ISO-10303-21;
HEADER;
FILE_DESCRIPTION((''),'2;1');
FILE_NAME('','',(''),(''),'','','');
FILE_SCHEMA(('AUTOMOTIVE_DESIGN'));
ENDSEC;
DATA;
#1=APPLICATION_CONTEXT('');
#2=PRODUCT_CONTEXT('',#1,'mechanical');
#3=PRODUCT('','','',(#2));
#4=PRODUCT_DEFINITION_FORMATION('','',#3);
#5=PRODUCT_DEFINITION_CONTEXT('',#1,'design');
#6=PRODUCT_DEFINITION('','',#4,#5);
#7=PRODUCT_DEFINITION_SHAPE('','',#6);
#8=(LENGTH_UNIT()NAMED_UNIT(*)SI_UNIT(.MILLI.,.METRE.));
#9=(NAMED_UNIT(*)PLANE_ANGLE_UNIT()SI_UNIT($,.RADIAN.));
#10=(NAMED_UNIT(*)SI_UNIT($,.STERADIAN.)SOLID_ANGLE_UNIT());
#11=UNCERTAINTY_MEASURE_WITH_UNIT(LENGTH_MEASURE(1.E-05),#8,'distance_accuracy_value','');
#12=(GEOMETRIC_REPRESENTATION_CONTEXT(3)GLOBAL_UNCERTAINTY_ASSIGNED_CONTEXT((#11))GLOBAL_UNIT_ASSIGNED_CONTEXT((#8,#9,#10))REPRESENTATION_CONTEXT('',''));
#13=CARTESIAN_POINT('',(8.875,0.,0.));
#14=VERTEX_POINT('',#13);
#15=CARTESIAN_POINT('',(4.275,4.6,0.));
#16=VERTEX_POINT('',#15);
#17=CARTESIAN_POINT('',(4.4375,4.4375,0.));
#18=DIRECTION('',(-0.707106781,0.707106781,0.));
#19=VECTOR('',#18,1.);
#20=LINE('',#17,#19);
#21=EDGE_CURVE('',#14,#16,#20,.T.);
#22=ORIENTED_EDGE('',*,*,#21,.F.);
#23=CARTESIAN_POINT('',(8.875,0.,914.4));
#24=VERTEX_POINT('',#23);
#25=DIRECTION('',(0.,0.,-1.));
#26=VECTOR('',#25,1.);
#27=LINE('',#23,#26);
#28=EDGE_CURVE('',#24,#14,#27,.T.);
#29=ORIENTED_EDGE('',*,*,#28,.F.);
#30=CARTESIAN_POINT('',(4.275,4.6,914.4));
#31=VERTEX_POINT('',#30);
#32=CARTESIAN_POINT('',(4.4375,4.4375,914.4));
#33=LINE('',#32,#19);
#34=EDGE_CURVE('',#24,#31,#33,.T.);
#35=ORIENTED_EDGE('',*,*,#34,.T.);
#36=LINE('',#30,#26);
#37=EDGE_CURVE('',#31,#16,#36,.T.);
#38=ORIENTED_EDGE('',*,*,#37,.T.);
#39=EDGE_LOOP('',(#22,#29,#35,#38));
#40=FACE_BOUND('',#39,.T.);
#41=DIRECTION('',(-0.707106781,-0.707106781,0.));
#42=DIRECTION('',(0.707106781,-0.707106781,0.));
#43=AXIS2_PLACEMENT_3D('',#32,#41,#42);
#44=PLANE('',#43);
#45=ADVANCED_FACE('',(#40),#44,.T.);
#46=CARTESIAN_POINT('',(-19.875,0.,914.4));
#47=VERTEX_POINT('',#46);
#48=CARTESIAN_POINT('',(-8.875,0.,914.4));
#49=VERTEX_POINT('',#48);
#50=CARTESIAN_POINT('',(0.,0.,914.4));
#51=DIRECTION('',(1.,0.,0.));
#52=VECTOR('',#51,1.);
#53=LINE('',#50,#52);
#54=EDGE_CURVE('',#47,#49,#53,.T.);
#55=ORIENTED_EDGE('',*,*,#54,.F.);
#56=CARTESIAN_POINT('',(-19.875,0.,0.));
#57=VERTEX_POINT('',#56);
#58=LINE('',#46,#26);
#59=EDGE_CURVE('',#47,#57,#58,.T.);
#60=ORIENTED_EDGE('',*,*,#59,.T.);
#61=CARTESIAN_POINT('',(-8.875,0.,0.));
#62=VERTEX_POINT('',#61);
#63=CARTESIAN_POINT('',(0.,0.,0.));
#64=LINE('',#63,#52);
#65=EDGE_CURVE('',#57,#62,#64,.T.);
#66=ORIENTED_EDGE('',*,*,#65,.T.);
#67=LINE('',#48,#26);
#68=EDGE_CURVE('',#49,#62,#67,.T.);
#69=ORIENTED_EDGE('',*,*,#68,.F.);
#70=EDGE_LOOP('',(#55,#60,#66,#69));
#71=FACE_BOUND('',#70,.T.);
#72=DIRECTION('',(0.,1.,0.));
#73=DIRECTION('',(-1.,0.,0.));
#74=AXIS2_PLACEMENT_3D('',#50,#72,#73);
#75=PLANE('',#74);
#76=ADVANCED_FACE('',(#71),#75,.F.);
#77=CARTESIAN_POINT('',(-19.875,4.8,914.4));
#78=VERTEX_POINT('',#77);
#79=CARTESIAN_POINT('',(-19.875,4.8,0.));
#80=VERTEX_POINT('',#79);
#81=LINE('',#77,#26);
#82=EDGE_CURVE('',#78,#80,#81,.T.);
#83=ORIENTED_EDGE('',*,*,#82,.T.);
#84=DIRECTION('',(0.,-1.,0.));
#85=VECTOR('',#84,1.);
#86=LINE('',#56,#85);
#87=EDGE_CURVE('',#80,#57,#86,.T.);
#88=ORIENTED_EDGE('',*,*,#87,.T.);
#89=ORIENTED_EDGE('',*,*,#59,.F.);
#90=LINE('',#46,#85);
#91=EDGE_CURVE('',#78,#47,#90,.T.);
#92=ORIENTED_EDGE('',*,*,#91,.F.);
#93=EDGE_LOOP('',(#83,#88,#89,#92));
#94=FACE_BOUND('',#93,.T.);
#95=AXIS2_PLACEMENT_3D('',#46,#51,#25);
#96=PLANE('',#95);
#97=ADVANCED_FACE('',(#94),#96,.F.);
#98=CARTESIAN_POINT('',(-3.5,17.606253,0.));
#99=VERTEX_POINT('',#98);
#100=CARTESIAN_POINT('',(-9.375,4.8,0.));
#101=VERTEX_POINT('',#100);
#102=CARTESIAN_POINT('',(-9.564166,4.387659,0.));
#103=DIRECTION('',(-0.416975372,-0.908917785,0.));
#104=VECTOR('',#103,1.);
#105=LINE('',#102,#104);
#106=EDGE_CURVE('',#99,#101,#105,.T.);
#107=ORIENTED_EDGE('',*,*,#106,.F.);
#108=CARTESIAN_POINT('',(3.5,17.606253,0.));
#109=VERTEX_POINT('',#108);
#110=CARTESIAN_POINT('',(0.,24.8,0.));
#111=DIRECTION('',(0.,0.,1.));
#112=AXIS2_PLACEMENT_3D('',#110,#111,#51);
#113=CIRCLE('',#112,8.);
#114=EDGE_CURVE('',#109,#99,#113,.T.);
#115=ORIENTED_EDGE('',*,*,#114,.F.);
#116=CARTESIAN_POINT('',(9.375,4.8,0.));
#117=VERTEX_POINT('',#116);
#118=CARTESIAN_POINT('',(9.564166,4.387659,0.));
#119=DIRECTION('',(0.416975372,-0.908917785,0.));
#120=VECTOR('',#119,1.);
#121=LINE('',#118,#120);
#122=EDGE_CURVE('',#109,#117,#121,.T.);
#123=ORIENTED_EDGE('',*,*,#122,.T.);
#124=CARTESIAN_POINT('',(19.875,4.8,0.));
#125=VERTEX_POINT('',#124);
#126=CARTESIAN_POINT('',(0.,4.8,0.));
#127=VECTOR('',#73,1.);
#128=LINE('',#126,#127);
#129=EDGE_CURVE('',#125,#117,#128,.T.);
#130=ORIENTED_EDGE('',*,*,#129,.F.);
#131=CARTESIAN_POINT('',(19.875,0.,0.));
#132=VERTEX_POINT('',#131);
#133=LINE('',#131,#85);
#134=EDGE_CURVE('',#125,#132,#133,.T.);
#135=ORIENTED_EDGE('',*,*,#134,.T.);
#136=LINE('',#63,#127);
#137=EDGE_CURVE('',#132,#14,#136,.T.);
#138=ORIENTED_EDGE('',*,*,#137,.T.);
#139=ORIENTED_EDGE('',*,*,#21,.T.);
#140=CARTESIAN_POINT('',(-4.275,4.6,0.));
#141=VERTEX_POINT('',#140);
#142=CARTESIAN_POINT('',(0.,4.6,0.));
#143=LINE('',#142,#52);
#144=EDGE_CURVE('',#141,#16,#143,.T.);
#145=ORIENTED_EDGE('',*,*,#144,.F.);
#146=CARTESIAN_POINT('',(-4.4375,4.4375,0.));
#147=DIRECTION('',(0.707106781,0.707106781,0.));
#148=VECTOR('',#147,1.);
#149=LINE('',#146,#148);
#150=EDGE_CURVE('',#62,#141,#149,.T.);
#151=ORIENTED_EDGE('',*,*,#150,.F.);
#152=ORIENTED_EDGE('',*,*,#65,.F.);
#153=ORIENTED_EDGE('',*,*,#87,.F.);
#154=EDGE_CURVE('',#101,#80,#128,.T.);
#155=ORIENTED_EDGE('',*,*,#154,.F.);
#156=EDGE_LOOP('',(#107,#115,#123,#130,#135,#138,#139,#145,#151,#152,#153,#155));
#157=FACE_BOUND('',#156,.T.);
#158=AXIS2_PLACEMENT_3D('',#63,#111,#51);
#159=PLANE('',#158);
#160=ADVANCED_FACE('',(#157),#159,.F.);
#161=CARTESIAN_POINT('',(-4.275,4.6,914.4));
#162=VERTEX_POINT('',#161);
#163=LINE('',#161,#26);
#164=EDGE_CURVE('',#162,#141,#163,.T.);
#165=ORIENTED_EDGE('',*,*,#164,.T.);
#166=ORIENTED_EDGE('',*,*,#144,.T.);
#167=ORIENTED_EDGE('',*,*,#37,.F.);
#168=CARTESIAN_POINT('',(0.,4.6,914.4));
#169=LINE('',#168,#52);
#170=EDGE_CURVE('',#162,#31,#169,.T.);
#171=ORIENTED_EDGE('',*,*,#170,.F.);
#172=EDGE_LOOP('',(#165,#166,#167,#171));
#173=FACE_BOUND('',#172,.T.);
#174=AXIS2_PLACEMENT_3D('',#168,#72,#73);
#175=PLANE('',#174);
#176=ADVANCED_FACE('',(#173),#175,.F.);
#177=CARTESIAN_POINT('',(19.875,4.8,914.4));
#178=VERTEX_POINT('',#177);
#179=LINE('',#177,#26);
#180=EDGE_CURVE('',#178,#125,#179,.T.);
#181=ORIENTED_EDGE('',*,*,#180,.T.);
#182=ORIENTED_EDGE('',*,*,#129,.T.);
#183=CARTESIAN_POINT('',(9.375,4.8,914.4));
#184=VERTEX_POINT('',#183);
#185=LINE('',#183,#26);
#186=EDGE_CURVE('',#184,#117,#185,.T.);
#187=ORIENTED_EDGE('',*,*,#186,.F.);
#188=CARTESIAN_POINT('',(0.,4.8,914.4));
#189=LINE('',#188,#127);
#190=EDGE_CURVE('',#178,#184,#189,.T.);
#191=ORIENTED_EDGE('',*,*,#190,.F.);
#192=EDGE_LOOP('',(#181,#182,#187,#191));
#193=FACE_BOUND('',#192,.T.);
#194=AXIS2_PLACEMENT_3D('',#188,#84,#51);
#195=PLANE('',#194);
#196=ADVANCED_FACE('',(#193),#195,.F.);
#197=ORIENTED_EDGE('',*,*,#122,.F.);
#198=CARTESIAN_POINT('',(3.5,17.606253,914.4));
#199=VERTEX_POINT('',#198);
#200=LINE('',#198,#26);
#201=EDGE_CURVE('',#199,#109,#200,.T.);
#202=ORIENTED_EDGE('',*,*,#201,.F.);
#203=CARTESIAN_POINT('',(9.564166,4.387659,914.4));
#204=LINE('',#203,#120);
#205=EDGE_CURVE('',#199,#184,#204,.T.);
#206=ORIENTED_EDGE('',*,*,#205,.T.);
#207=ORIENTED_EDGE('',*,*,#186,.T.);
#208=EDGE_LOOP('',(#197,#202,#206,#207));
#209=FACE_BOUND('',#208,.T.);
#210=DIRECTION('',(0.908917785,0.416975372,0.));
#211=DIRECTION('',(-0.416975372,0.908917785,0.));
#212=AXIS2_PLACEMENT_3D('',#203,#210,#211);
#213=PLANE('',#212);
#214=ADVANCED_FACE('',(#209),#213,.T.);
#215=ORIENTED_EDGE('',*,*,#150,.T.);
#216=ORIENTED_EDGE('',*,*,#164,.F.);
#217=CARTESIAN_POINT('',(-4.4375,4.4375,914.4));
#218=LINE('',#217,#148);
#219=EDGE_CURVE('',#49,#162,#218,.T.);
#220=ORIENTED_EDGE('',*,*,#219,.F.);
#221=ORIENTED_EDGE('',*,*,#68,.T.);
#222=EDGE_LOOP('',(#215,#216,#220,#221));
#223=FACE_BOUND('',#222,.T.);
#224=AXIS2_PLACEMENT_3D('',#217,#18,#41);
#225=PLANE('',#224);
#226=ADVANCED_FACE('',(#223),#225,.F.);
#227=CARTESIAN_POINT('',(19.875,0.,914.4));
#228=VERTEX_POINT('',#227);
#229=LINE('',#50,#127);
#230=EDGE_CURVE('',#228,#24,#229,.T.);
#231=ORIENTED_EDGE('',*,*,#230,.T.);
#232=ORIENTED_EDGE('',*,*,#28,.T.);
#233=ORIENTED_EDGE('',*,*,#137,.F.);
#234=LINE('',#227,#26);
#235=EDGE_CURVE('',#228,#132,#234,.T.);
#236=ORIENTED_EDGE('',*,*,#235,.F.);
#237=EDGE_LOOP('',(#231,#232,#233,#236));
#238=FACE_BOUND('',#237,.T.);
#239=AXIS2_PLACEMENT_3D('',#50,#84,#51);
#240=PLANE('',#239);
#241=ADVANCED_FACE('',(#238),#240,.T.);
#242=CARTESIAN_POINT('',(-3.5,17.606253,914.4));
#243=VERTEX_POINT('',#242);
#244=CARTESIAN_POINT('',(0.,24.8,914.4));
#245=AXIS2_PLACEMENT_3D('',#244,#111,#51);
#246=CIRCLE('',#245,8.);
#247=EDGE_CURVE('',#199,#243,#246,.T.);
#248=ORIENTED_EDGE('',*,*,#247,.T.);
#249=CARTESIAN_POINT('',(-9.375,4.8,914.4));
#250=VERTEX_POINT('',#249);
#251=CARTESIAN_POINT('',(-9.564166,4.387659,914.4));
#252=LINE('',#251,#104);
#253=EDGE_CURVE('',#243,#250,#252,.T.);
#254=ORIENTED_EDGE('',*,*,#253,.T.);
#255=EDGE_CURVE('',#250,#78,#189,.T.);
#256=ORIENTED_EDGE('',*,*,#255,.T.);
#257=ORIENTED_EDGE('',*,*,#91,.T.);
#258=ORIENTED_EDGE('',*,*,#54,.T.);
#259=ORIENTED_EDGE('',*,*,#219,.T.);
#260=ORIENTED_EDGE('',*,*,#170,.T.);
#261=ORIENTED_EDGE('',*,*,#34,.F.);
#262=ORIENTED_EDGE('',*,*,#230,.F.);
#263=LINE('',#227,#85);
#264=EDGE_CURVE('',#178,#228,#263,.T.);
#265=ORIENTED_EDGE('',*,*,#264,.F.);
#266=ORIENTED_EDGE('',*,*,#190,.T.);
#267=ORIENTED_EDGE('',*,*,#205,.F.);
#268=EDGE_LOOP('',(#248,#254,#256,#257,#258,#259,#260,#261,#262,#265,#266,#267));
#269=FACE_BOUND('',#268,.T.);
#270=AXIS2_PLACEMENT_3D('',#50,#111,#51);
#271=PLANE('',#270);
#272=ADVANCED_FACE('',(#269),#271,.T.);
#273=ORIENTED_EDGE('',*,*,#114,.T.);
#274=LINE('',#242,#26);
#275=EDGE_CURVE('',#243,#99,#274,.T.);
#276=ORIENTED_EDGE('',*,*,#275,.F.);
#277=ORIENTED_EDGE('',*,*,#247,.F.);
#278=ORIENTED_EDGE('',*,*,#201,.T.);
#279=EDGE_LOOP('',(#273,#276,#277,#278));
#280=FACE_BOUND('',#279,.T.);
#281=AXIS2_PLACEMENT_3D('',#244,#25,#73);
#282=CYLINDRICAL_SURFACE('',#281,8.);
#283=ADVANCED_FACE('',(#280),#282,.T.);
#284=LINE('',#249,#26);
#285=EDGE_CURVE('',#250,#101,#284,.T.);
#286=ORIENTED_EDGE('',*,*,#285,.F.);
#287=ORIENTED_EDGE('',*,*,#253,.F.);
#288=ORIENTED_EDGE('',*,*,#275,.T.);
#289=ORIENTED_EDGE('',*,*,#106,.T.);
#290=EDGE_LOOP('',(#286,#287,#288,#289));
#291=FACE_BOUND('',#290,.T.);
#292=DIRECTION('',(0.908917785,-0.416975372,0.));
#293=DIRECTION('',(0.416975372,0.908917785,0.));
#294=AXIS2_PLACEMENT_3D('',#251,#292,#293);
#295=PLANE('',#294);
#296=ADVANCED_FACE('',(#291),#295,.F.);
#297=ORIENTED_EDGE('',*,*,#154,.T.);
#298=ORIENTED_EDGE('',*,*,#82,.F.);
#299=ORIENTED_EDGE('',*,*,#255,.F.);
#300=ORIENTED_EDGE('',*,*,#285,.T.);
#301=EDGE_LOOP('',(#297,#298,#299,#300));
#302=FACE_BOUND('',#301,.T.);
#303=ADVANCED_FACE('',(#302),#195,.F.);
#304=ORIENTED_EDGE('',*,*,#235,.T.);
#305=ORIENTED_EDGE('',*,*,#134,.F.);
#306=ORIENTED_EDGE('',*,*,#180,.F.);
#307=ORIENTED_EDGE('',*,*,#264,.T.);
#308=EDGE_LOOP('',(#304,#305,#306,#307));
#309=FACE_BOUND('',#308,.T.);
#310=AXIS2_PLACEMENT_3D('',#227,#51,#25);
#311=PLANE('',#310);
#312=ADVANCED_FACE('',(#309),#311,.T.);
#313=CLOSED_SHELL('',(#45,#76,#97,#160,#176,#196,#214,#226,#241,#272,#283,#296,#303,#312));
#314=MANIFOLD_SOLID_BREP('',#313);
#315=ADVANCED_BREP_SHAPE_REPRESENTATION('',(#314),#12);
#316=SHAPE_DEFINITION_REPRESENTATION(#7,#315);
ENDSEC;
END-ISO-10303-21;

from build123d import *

# Parameters (mm, degrees)
BOSS_EXTRUDE1_DEPTH = 914.4


with BuildPart() as part:
    # Sketch1 → Boss-Extrude1 (new body)
    with BuildSketch(Plane.XY):
        with BuildLine():
            Line((3.5, 17.606252715), (9.375, 4.8))
            Line((9.375, 4.8), (19.875, 4.8))
            Line((19.875, 4.8), (19.875, 0))
            Line((19.875, 0), (8.875, 0))
            Line((8.875, 0), (4.275, 4.6))
            Line((4.275, 4.6), (-4.275, 4.6))
            Line((-4.275, 4.6), (-8.875, 0))
            Line((-8.875, 0), (-19.875, 0))
            Line((-19.875, 0), (-19.875, 4.8))
            Line((-19.875, 4.8), (-9.375, 4.8))
            Line((-9.375, 4.8), (-3.5, 17.606252715))
            ThreePointArc((-3.5, 17.606252715), (0, 32.8), (3.5, 17.606252715))
        make_face()
    extrude(amount=BOSS_EXTRUDE1_DEPTH)


solid = part.part
